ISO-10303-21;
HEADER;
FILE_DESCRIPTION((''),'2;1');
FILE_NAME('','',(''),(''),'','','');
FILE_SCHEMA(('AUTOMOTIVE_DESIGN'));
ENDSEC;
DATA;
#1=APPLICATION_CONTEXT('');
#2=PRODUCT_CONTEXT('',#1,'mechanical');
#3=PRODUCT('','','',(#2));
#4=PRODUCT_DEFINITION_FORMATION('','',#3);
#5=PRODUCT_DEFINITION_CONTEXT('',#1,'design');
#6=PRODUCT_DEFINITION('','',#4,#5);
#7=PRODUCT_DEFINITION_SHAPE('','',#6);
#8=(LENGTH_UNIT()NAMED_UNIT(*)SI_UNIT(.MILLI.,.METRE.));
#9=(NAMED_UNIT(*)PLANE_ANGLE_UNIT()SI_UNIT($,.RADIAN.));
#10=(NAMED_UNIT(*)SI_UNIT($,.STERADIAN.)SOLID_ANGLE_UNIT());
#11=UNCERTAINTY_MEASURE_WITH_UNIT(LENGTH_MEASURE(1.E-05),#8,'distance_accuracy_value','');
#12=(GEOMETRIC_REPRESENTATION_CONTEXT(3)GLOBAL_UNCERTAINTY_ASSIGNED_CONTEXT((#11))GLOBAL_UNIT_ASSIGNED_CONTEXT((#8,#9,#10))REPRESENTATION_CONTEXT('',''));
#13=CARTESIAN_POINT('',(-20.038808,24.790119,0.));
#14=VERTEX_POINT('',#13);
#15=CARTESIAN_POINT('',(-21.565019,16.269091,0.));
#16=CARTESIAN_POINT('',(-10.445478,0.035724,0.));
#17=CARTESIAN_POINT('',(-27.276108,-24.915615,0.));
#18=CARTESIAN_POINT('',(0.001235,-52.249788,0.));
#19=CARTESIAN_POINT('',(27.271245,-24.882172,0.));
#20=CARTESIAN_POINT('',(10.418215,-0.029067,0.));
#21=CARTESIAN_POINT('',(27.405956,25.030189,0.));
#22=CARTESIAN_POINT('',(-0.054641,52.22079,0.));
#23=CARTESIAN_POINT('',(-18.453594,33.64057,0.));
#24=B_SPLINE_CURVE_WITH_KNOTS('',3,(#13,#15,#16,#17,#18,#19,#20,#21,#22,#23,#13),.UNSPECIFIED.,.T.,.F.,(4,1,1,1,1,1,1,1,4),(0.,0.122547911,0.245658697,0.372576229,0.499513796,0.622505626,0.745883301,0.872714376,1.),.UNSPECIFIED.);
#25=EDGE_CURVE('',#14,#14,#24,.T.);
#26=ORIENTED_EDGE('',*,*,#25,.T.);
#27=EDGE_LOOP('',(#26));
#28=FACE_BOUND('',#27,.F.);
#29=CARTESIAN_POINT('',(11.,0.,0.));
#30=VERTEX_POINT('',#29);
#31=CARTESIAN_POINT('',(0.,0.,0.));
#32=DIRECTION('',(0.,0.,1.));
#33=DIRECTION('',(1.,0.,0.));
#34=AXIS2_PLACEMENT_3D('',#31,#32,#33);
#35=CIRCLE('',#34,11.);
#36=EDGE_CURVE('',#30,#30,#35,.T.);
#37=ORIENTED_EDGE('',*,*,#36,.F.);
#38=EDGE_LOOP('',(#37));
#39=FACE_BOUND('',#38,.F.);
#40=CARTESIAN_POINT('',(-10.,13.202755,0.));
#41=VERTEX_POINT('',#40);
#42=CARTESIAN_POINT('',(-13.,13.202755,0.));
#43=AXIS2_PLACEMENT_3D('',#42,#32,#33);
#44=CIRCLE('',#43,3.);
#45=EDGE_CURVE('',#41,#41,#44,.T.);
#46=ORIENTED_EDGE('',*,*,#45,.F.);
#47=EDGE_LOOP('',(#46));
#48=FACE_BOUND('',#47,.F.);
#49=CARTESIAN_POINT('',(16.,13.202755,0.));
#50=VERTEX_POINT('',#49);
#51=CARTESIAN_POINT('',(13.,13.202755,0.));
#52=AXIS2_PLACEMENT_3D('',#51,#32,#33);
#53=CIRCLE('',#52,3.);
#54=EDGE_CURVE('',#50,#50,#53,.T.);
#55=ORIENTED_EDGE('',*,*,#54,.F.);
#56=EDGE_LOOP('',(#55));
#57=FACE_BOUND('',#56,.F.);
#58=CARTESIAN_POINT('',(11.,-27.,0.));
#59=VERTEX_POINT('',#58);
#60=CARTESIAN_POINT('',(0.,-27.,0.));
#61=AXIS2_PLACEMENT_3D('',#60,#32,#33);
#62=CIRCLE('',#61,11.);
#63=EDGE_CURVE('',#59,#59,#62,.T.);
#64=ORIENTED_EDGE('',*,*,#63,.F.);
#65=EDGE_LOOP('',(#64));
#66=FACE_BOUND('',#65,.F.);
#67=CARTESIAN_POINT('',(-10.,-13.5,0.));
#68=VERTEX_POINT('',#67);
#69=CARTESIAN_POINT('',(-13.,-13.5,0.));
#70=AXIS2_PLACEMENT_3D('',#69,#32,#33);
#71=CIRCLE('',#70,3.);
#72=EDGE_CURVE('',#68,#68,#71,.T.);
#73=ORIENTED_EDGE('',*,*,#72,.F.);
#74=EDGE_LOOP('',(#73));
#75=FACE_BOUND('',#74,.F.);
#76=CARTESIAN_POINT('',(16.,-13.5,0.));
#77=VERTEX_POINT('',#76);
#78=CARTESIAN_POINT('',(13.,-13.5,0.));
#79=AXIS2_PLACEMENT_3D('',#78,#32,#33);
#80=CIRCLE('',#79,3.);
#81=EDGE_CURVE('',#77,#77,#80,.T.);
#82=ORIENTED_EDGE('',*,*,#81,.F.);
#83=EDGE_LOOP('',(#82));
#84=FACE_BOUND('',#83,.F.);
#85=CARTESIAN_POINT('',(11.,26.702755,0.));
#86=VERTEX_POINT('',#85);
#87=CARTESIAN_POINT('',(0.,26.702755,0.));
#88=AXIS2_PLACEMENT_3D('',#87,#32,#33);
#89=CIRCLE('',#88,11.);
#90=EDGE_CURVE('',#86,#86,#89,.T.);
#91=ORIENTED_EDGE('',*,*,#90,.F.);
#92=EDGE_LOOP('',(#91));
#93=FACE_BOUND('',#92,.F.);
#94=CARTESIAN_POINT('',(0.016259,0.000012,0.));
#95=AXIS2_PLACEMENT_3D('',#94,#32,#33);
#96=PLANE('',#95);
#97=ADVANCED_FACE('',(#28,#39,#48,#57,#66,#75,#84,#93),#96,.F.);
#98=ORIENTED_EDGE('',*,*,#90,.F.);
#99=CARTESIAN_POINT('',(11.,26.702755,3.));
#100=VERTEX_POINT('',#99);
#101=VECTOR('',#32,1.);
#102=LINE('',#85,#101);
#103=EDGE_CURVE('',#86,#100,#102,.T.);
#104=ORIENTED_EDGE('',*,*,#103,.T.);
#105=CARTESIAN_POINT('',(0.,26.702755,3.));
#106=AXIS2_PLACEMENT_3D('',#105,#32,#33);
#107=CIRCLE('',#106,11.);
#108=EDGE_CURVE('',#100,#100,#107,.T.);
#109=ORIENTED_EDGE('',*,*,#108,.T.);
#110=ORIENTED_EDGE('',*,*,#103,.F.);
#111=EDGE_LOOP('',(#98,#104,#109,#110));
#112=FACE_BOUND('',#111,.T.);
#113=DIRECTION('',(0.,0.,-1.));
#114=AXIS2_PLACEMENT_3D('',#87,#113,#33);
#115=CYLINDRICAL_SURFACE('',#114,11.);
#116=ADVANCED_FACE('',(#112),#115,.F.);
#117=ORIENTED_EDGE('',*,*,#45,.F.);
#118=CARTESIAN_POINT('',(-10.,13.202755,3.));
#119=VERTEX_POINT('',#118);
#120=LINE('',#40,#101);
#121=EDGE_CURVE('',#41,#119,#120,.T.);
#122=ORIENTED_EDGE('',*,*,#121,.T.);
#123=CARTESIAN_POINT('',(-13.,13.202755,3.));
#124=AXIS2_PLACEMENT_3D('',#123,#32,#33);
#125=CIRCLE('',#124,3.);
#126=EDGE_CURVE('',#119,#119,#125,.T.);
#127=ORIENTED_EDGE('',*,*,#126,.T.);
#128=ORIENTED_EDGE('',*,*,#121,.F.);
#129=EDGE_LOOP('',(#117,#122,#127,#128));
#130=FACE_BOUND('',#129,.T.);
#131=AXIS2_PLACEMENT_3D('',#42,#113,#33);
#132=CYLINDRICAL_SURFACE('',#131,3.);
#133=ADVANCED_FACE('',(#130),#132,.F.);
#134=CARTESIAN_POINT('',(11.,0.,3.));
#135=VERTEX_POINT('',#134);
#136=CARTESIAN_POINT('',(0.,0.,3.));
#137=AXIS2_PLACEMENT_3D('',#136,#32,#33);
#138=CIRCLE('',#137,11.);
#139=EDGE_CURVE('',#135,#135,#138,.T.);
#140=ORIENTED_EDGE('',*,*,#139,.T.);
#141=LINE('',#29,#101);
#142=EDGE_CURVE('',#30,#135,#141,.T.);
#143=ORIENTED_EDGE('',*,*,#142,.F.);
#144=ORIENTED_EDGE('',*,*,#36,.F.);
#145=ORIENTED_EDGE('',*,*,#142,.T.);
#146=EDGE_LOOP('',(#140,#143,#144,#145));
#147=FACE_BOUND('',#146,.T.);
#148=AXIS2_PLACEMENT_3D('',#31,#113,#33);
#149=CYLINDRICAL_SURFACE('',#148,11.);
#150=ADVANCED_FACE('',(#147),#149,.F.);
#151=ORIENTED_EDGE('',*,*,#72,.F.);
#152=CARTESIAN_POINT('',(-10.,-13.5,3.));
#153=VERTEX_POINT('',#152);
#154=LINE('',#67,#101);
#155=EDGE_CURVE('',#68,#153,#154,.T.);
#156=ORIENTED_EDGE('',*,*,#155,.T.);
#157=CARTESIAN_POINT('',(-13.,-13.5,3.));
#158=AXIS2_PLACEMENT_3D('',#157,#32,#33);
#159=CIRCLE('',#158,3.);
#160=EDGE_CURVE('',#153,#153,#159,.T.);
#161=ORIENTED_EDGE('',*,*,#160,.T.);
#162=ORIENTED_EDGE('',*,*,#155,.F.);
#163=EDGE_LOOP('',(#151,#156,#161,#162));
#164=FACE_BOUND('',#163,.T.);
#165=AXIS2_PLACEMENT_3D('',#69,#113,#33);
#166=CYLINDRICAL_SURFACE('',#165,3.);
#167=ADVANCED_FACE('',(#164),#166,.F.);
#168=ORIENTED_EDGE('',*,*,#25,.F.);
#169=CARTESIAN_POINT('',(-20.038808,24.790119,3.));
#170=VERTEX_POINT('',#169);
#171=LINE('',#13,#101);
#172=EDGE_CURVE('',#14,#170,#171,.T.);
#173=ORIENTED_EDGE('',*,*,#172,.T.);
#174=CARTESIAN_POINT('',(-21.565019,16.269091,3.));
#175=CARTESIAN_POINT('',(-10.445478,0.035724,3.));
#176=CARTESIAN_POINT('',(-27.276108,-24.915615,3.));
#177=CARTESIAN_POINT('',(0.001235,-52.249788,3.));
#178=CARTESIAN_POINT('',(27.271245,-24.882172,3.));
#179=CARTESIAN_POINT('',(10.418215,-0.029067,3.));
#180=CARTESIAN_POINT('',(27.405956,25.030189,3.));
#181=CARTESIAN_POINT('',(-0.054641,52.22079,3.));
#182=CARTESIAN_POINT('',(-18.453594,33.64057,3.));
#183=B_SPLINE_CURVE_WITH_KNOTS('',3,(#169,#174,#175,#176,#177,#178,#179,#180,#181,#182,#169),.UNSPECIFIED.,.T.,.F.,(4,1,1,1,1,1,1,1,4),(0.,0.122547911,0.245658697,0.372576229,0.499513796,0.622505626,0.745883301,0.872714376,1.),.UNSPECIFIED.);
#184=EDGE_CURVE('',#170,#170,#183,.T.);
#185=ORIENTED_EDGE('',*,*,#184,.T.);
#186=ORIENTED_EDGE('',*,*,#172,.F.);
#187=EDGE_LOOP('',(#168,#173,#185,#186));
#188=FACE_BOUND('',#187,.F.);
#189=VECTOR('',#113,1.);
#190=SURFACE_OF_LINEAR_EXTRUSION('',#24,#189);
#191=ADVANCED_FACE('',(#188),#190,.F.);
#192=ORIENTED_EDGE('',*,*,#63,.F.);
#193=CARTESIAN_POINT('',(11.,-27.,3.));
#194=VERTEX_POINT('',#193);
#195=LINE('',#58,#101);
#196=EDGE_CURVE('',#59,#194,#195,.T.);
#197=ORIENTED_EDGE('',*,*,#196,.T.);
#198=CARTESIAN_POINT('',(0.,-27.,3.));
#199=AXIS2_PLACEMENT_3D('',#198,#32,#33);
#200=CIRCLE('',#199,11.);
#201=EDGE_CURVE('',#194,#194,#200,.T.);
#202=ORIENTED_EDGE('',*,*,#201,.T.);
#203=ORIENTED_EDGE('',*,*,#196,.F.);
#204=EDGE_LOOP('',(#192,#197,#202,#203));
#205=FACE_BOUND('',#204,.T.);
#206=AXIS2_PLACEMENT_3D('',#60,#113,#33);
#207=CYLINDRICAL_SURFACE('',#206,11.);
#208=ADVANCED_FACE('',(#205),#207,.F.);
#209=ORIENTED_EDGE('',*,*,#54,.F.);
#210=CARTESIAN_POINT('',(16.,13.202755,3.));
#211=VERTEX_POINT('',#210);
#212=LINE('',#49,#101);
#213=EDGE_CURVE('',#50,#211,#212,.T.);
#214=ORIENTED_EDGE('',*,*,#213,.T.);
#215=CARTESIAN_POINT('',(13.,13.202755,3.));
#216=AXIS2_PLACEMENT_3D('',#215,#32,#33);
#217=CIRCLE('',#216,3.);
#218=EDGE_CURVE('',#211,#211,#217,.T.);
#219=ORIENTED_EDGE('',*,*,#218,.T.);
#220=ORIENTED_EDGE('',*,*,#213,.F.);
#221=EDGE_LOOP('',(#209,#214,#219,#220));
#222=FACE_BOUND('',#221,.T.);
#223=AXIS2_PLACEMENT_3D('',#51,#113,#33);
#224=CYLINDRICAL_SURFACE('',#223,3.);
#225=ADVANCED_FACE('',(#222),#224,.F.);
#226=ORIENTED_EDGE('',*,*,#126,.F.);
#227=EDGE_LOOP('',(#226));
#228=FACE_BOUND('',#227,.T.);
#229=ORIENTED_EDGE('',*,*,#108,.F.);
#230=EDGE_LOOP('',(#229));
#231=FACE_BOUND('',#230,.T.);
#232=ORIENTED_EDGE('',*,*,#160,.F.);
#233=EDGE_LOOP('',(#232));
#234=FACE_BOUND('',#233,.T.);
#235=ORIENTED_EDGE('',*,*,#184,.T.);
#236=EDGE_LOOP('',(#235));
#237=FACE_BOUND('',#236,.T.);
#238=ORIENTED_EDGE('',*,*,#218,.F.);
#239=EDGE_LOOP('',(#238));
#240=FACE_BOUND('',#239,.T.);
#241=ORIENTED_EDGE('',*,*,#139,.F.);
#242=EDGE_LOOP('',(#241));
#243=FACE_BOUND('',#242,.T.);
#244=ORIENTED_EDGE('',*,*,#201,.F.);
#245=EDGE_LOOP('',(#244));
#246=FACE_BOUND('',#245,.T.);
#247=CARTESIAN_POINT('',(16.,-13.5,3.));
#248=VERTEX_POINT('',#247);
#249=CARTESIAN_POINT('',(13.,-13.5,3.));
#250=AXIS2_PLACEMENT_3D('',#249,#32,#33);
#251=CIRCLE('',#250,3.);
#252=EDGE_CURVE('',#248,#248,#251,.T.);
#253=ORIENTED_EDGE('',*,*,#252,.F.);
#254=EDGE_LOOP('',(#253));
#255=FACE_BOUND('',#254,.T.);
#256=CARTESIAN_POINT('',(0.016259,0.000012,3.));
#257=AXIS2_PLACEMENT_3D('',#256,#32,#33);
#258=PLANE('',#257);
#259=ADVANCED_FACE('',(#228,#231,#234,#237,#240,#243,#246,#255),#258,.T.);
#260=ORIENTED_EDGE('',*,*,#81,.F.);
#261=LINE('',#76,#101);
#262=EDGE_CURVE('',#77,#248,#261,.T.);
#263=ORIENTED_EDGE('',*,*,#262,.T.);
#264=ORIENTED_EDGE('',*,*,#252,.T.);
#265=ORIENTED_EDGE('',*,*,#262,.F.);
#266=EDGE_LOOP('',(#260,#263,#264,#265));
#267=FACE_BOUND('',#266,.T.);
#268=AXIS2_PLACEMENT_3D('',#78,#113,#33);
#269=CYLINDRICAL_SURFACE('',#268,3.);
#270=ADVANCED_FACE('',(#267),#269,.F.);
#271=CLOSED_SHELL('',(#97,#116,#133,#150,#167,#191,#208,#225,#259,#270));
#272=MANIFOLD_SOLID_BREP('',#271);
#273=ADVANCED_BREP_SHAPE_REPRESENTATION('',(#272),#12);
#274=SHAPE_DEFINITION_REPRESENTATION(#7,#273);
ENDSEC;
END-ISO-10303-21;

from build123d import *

# Parameters (mm, degrees)
F0_R     = 11
F0_R_2   = 3
F1_DEPTH = 3


with BuildPart() as f1:
    # F0 (on Top) → F1 (new body)
    with BuildSketch(Plane.XY):
        with BuildLine():
            add(Edge.make_bspline(
                [(-20.0388081463, 24.7901187333), (-21.5650187676, 16.2690908484), (-10.4454781623, 0.0357236043), (-27.2761082043, -24.9156149942), (0.0012352051, -52.2497882985), (27.2712447408, -24.8821719192), (10.4182146103, -0.0290673504), (27.4059563125, 25.0301889486), (-0.0546412677, 52.2207900833), (-18.4535940951, 33.6405702672), (-20.0388081463, 24.7901187333)],
                knots=[0, 0, 0, 0, 0.1225479114, 0.2456586969, 0.3725762293, 0.499513796, 0.622505626, 0.7458833009, 0.8727143761, 1, 1, 1, 1], degree=3))
        make_face()
        with Locations((0, -27)):
            Circle(F0_R, mode=Mode.SUBTRACT)
        with Locations((-13, -13.5)):
            Circle(F0_R_2, mode=Mode.SUBTRACT)
        with Locations((13, -13.5)):
            Circle(F0_R_2, mode=Mode.SUBTRACT)
        Circle(F0_R, mode=Mode.SUBTRACT)
        with Locations((-13, 13.2027547807)):
            Circle(F0_R_2, mode=Mode.SUBTRACT)
        with Locations((0, 26.7027547807)):
            Circle(F0_R, mode=Mode.SUBTRACT)
        with Locations((13, 13.2027547807)):
            Circle(F0_R_2, mode=Mode.SUBTRACT)
    extrude(amount=F1_DEPTH)


solid = f1.part
